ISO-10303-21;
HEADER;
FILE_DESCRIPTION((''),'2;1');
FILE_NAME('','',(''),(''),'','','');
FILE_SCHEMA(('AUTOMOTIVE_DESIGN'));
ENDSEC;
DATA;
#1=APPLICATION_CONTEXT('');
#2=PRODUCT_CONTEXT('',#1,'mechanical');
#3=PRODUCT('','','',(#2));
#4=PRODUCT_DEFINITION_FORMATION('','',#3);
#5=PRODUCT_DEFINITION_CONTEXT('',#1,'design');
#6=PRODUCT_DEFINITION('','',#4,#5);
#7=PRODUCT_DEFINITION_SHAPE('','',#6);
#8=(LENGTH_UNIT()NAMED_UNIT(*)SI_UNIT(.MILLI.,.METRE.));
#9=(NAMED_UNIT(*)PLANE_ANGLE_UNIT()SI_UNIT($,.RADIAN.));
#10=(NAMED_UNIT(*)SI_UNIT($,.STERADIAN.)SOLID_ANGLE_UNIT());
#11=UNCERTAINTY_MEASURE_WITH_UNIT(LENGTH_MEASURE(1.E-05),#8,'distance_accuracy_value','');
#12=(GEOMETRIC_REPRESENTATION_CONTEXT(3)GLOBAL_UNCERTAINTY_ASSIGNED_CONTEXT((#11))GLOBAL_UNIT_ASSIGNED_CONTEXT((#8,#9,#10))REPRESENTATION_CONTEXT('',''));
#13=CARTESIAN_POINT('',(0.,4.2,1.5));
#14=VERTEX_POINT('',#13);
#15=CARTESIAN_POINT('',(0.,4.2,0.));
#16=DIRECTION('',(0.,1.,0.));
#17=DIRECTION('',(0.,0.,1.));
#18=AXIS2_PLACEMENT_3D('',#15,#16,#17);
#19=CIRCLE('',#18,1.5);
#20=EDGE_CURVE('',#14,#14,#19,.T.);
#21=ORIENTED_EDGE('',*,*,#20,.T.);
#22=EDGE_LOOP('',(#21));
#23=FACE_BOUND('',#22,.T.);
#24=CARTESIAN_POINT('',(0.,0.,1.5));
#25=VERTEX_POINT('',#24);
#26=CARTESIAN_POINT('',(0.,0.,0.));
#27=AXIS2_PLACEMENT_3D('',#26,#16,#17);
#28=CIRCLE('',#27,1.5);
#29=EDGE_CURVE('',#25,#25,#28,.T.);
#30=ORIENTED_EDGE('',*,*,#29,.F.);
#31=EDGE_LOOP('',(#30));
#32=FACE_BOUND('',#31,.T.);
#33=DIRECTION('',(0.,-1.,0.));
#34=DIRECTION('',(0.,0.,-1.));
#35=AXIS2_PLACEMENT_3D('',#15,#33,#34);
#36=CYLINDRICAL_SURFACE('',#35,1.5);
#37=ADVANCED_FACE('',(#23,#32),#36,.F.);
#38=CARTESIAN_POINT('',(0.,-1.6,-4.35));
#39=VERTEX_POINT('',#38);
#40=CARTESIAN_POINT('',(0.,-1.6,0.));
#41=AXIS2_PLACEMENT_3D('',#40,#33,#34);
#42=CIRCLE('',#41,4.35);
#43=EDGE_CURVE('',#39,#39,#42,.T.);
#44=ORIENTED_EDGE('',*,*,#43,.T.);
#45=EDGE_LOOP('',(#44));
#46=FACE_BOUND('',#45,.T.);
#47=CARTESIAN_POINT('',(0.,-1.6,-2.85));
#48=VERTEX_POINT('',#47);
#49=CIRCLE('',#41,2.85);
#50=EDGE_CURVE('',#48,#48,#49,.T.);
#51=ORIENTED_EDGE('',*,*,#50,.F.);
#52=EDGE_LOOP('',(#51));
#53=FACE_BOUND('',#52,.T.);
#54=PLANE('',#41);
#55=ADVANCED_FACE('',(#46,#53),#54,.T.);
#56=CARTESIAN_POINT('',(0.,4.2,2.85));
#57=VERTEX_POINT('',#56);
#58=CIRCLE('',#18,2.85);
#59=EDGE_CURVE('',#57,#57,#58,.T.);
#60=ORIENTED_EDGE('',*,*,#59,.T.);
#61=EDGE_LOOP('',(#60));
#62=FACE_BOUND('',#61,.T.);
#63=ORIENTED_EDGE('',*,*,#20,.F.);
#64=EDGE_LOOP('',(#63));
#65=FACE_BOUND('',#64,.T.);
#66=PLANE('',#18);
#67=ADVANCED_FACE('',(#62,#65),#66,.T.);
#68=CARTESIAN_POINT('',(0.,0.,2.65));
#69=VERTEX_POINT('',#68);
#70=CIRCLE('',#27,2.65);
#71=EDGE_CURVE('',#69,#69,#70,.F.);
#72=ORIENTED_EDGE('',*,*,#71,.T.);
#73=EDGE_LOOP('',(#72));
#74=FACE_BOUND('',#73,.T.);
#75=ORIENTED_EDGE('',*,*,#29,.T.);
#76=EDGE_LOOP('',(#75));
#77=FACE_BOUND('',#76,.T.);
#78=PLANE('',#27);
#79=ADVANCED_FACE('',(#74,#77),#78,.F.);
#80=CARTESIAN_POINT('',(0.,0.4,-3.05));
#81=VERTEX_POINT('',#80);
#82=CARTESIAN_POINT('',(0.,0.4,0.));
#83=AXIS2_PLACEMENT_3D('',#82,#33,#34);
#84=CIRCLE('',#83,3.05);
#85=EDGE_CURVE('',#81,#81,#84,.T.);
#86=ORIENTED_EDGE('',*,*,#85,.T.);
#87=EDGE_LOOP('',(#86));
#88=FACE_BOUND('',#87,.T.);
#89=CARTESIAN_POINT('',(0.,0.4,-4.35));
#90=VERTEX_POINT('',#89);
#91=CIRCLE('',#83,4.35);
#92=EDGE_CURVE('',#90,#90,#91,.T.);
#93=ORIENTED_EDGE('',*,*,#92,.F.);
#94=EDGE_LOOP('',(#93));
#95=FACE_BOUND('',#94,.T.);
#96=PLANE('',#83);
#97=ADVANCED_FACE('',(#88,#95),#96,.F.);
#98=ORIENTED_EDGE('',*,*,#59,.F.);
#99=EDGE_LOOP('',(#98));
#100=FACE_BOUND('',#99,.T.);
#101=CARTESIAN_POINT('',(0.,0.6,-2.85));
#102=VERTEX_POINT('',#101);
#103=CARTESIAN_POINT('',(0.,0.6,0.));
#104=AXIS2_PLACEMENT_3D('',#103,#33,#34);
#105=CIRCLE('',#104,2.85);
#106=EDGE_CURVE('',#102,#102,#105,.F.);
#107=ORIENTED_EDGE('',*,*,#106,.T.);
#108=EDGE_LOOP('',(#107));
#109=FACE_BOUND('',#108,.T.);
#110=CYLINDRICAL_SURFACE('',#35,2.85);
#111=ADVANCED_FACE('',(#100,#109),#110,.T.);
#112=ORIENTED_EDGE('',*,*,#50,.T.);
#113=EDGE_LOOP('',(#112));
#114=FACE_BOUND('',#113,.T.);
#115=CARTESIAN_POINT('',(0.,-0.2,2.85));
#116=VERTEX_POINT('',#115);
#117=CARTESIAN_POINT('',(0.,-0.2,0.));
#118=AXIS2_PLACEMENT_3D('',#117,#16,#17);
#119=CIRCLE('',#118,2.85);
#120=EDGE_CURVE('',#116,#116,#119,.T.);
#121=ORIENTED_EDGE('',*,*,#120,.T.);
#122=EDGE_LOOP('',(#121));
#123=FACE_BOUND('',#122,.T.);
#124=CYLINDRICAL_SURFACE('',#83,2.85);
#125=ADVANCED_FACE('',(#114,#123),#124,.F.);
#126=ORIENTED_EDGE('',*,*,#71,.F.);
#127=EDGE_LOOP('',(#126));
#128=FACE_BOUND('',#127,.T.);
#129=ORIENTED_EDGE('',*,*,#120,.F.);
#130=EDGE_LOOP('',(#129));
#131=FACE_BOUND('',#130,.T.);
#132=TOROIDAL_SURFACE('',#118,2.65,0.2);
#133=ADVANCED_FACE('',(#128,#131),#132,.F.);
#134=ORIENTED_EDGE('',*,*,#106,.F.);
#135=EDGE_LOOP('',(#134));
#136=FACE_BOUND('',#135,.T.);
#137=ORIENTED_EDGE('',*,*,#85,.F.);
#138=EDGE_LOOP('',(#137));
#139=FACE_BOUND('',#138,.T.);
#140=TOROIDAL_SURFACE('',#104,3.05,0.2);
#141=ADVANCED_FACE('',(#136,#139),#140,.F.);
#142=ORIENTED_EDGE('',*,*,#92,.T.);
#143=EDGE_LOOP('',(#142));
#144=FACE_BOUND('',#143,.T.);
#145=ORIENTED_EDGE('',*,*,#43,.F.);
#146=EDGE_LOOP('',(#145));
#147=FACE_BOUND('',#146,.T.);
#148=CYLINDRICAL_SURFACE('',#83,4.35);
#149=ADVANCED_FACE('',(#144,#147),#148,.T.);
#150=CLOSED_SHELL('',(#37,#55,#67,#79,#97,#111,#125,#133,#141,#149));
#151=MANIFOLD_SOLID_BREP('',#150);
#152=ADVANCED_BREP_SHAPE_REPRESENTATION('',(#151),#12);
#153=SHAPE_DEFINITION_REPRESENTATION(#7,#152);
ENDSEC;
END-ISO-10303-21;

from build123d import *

# Parameters (mm, degrees)
SKETCH1_R                = 2.85
BOSS_EXTRUDE1_DEPTH      = 4.2
SHELL1_T                 = -1.35
BOSS_EXTRUDE2_DEPTH      = 1.6
BOSS_EXTRUDE2_DEPTH_BACK = 0.4
SKETCH2_R                = 4.35
SKETCH2_R_2              = 2.85
FILLET4_R                = 0.2


with BuildPart() as part:
    # Sketch1 → Boss-Extrude1 (new body)
    with BuildSketch(Plane(origin=(0, 0, 0), x_dir=(1, 0, 0), z_dir=(0, 1, 0))):
        with Locations(Location((0, 0, 0), (0, 0, 270))):
            Circle(SKETCH1_R)
    extrude(amount=BOSS_EXTRUDE1_DEPTH)

    # Shell1
    shell1_openings = [part.faces().sort_by_distance(p)[0] for p in [
        (0, 4.2, 0),
        (0, 0, 0),
    ]]
    offset(amount=SHELL1_T, openings=shell1_openings, kind=Kind.INTERSECTION)

    # Sketch2 → Boss-Extrude2 (add, two sides: drawn at the far end of the back side and taken through both)
    with BuildSketch(Plane.XZ.offset(-BOSS_EXTRUDE2_DEPTH_BACK)):
        with Locations(Location((0, 0, 0), (0, 0, 270))):
            Circle(SKETCH2_R)
        with Locations(Location((0, 0, 0), (0, 0, 270))):
            Circle(SKETCH2_R_2, mode=Mode.SUBTRACT)
    extrude(amount=BOSS_EXTRUDE2_DEPTH + BOSS_EXTRUDE2_DEPTH_BACK)

    # Fillet4
    fillet4_edges = [part.edges().sort_by_distance(p)[0] for p in [
        (0, 0.4, -2.85),
        (0, 0, 2.85),
    ]]
    fillet(fillet4_edges, radius=FILLET4_R)


solid = part.part
